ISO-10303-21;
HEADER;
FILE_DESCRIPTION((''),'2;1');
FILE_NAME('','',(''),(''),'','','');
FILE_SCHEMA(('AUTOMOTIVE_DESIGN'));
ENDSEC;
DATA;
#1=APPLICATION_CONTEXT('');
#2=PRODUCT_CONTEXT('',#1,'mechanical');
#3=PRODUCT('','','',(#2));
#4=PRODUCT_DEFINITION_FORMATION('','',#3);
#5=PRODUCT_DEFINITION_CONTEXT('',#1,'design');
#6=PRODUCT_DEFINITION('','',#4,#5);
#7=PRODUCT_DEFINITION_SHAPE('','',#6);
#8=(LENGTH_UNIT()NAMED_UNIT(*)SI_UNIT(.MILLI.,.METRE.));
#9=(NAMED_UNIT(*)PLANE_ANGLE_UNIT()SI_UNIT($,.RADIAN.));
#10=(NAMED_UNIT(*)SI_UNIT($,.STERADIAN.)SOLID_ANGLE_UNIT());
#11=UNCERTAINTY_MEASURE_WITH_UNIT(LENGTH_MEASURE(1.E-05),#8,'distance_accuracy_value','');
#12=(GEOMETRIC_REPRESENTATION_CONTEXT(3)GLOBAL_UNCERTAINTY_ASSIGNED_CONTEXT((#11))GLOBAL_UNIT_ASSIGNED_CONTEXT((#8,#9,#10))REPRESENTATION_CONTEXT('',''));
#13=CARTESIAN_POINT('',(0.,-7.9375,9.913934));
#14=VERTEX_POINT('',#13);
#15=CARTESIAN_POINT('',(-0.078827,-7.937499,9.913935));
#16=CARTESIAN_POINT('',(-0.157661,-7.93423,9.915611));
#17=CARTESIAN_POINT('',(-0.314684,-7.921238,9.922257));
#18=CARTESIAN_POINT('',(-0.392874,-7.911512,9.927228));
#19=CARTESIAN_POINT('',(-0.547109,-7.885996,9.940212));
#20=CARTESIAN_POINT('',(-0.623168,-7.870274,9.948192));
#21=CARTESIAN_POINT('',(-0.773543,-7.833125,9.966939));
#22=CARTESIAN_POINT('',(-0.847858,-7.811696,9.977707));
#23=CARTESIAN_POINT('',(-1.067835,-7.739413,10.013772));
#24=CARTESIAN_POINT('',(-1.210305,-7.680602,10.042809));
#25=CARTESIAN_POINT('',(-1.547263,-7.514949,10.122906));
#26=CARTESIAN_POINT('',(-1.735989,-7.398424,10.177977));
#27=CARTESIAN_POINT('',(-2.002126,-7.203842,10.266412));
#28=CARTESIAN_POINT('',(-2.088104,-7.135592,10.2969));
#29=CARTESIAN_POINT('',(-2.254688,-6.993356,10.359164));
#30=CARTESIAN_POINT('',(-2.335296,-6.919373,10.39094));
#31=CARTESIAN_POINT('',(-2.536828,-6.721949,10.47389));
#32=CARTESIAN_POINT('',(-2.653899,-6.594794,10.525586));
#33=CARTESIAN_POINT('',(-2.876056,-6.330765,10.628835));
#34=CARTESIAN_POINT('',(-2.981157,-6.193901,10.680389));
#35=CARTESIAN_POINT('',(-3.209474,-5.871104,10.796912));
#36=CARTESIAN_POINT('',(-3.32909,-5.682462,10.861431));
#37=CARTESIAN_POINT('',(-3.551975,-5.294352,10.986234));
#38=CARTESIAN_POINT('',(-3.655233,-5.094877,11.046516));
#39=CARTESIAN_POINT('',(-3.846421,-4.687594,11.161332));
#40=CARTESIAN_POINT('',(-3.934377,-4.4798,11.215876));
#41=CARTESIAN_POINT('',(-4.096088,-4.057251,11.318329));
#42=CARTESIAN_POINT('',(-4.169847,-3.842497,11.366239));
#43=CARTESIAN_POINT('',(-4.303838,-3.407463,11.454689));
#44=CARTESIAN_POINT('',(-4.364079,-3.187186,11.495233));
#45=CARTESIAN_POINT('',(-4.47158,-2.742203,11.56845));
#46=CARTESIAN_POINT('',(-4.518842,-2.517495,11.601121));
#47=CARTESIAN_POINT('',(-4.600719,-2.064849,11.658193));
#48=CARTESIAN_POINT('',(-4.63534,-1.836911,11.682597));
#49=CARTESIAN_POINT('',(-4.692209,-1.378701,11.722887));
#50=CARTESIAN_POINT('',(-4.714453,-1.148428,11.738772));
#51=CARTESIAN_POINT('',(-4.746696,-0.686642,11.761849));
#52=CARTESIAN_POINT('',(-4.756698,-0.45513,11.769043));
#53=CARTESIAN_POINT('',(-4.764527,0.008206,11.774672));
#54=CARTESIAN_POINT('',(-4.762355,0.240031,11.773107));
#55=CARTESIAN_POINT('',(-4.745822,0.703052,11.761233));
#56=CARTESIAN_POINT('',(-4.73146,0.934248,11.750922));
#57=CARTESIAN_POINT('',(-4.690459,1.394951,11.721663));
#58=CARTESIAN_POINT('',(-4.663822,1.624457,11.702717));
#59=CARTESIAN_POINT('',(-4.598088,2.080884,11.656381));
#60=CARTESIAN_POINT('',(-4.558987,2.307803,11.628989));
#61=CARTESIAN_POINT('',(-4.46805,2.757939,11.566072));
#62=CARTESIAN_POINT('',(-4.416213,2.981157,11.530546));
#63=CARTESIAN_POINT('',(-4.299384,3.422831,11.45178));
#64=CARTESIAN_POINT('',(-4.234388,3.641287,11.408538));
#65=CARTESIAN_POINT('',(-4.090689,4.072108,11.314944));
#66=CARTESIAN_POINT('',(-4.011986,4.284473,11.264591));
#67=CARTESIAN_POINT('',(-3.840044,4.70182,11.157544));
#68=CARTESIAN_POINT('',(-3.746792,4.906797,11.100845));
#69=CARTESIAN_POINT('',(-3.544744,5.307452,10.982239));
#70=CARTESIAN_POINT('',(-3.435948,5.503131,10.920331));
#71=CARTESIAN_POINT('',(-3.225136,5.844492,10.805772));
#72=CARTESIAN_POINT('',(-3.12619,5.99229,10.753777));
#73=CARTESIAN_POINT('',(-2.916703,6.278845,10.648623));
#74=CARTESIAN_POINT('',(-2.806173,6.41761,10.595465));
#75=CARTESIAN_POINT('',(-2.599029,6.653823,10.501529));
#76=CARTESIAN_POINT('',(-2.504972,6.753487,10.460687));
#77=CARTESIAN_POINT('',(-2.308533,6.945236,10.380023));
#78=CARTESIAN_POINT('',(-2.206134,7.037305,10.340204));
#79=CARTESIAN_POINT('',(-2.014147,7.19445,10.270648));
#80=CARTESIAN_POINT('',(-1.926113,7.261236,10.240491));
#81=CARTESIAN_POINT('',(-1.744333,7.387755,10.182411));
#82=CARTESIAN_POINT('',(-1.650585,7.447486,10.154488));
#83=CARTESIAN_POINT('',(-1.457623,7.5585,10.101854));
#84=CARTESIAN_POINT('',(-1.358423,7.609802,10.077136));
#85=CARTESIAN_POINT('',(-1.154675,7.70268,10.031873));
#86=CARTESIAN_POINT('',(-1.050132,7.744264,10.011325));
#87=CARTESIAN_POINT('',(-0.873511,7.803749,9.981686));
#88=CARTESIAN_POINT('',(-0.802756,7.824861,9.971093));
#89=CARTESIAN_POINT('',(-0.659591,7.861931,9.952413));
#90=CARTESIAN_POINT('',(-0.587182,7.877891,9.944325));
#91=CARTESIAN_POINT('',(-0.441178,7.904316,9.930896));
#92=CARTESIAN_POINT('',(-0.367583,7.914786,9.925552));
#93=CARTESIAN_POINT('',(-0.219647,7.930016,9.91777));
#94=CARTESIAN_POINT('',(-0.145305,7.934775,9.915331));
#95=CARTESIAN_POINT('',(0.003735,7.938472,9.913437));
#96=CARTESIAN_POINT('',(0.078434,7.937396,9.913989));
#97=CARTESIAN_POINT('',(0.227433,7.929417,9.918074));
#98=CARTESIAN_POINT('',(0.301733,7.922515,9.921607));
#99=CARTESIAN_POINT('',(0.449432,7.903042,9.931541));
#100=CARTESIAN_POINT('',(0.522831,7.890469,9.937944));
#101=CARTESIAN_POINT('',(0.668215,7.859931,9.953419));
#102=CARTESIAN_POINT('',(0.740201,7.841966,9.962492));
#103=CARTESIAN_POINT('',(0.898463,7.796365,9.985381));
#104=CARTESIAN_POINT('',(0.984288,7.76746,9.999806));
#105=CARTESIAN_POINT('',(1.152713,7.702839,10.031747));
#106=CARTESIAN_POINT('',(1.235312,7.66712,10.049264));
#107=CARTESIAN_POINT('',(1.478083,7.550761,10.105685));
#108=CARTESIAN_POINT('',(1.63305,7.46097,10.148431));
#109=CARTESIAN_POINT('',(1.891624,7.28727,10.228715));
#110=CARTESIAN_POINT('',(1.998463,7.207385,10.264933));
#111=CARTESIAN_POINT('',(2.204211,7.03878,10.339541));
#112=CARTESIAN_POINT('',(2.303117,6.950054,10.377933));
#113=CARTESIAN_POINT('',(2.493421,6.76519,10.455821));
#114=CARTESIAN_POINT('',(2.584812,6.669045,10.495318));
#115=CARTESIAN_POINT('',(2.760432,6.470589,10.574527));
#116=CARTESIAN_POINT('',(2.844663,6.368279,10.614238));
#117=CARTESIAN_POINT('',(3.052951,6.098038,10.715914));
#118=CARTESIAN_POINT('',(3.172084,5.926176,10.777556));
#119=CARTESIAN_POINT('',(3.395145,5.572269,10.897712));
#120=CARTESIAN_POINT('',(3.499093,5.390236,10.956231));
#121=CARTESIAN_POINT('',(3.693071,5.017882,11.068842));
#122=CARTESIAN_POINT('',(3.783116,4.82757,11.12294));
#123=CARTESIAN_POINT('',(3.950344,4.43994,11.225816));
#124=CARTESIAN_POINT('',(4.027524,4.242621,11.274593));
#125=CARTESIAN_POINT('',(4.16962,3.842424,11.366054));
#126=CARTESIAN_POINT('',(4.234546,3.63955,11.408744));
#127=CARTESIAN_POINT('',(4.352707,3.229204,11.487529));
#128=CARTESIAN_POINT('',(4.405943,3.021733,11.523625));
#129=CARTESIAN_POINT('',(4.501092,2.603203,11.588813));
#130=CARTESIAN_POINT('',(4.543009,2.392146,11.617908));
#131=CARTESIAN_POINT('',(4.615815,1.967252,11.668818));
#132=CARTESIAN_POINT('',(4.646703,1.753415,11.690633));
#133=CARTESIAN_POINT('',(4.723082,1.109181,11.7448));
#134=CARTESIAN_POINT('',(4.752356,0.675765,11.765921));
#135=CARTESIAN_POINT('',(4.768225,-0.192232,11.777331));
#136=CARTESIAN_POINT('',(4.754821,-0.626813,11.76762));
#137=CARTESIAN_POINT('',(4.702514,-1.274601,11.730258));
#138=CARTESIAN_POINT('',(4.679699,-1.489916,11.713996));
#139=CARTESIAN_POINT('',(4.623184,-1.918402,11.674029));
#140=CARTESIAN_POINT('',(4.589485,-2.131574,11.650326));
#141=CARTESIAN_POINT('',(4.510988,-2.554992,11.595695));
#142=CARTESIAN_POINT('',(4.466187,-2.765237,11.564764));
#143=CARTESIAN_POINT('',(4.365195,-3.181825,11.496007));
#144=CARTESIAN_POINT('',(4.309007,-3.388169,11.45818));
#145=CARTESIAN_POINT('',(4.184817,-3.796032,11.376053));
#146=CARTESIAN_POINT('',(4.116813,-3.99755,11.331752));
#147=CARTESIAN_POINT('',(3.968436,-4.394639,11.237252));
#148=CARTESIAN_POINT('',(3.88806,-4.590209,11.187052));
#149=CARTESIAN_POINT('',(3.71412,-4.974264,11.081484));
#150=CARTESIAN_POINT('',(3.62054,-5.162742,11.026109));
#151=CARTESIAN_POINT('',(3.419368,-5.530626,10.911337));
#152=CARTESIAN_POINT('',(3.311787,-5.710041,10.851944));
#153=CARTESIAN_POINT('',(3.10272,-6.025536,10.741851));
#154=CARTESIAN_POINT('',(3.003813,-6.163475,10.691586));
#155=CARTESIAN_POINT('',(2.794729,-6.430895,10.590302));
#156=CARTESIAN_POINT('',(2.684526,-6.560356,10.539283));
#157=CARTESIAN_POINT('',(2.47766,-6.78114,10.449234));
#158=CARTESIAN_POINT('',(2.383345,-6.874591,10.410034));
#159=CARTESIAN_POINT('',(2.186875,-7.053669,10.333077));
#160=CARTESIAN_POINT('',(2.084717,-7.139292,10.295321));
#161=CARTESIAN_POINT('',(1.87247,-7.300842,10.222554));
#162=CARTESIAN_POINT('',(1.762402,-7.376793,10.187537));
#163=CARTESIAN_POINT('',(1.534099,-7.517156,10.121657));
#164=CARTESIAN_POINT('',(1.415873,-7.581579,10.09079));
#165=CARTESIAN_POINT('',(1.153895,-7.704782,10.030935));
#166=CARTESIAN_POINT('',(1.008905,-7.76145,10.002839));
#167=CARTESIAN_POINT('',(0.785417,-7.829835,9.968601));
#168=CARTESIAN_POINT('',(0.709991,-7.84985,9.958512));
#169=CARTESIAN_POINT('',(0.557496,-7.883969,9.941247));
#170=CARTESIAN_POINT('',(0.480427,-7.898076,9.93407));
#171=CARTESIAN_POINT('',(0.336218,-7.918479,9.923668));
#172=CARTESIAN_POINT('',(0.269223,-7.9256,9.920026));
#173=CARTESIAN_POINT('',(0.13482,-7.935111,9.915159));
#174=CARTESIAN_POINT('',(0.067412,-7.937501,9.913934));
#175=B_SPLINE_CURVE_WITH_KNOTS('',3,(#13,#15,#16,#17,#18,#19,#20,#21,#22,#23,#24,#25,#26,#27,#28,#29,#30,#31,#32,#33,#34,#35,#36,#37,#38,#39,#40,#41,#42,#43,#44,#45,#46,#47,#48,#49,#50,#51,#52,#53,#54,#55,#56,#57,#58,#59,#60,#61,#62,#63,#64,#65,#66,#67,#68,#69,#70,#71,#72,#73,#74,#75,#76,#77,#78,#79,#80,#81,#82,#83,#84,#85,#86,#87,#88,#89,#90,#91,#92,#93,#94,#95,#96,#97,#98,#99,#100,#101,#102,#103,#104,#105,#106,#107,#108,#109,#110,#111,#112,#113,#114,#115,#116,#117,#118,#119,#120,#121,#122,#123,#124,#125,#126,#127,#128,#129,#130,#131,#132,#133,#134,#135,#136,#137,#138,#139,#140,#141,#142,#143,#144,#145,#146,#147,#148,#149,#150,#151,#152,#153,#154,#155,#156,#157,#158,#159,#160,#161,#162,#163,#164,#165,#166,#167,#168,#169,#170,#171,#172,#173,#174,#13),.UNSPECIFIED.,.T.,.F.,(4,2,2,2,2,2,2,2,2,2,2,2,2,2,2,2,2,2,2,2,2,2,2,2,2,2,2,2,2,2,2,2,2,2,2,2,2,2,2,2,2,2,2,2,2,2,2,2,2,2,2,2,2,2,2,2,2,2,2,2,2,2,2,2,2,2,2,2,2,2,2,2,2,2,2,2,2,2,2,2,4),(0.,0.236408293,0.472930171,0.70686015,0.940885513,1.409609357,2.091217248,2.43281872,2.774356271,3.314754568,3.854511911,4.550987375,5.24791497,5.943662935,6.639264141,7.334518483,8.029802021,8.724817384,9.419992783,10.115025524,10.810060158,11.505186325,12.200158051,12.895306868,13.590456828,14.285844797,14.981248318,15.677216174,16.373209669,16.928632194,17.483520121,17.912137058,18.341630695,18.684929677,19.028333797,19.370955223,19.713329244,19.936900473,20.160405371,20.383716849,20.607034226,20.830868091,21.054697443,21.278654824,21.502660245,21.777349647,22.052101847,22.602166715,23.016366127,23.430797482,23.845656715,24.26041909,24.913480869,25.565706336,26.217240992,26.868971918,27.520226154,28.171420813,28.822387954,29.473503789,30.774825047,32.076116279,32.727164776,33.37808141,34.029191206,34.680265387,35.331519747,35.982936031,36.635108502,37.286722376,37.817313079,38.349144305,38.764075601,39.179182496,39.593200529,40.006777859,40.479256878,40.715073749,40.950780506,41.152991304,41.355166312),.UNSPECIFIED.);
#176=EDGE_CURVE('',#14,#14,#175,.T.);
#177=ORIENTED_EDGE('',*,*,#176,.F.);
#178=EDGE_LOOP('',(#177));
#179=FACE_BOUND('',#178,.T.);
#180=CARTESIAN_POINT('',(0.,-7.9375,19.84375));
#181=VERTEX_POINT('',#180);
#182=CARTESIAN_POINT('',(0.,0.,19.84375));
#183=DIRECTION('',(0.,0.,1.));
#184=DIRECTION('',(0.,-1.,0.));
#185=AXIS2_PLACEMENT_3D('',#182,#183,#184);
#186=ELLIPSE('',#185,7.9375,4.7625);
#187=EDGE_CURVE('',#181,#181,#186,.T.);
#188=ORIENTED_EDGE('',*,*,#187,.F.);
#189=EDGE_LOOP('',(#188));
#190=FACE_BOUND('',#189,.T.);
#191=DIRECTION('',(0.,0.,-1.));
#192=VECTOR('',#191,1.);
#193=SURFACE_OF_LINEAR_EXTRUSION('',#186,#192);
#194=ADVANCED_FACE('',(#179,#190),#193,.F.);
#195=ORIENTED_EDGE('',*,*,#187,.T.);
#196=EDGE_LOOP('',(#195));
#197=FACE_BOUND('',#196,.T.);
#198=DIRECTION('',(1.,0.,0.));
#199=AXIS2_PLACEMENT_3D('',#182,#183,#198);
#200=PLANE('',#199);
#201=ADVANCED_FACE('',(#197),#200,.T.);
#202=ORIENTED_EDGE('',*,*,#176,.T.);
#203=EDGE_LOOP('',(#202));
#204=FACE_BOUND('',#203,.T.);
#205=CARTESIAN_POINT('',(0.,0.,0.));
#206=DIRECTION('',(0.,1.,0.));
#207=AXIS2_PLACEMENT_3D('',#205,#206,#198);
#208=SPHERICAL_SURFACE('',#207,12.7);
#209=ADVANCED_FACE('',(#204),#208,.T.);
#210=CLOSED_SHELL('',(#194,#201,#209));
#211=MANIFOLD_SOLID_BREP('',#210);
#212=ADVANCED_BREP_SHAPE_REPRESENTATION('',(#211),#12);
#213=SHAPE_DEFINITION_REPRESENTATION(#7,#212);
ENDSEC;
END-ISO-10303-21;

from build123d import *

# Parameters (mm, degrees)
SKETCH3_RX          = 7.9375
SKETCH3_RY          = 4.7625
BOSS_EXTRUDE1_DEPTH = 19.84375


with BuildPart() as part:
    # Sketch1 → Revolve1 (revolve)
    with BuildSketch(Plane.XY):
        with BuildLine():
            Line((0, 12.7), (0, -12.7))
            ThreePointArc((0, -12.7), (-12.7, 0), (0, 12.7))
        make_face()
    revolve(axis=Axis((0, 12.7, 0), (0, -1, 0)))

    # Sketch3 → Boss-Extrude1 (add)
    with BuildSketch(Plane.XY):
        with Locations(Location((0, 0), (0, 0, -90))):
            Ellipse(SKETCH3_RX, SKETCH3_RY)
    extrude(amount=BOSS_EXTRUDE1_DEPTH)


solid = part.part
